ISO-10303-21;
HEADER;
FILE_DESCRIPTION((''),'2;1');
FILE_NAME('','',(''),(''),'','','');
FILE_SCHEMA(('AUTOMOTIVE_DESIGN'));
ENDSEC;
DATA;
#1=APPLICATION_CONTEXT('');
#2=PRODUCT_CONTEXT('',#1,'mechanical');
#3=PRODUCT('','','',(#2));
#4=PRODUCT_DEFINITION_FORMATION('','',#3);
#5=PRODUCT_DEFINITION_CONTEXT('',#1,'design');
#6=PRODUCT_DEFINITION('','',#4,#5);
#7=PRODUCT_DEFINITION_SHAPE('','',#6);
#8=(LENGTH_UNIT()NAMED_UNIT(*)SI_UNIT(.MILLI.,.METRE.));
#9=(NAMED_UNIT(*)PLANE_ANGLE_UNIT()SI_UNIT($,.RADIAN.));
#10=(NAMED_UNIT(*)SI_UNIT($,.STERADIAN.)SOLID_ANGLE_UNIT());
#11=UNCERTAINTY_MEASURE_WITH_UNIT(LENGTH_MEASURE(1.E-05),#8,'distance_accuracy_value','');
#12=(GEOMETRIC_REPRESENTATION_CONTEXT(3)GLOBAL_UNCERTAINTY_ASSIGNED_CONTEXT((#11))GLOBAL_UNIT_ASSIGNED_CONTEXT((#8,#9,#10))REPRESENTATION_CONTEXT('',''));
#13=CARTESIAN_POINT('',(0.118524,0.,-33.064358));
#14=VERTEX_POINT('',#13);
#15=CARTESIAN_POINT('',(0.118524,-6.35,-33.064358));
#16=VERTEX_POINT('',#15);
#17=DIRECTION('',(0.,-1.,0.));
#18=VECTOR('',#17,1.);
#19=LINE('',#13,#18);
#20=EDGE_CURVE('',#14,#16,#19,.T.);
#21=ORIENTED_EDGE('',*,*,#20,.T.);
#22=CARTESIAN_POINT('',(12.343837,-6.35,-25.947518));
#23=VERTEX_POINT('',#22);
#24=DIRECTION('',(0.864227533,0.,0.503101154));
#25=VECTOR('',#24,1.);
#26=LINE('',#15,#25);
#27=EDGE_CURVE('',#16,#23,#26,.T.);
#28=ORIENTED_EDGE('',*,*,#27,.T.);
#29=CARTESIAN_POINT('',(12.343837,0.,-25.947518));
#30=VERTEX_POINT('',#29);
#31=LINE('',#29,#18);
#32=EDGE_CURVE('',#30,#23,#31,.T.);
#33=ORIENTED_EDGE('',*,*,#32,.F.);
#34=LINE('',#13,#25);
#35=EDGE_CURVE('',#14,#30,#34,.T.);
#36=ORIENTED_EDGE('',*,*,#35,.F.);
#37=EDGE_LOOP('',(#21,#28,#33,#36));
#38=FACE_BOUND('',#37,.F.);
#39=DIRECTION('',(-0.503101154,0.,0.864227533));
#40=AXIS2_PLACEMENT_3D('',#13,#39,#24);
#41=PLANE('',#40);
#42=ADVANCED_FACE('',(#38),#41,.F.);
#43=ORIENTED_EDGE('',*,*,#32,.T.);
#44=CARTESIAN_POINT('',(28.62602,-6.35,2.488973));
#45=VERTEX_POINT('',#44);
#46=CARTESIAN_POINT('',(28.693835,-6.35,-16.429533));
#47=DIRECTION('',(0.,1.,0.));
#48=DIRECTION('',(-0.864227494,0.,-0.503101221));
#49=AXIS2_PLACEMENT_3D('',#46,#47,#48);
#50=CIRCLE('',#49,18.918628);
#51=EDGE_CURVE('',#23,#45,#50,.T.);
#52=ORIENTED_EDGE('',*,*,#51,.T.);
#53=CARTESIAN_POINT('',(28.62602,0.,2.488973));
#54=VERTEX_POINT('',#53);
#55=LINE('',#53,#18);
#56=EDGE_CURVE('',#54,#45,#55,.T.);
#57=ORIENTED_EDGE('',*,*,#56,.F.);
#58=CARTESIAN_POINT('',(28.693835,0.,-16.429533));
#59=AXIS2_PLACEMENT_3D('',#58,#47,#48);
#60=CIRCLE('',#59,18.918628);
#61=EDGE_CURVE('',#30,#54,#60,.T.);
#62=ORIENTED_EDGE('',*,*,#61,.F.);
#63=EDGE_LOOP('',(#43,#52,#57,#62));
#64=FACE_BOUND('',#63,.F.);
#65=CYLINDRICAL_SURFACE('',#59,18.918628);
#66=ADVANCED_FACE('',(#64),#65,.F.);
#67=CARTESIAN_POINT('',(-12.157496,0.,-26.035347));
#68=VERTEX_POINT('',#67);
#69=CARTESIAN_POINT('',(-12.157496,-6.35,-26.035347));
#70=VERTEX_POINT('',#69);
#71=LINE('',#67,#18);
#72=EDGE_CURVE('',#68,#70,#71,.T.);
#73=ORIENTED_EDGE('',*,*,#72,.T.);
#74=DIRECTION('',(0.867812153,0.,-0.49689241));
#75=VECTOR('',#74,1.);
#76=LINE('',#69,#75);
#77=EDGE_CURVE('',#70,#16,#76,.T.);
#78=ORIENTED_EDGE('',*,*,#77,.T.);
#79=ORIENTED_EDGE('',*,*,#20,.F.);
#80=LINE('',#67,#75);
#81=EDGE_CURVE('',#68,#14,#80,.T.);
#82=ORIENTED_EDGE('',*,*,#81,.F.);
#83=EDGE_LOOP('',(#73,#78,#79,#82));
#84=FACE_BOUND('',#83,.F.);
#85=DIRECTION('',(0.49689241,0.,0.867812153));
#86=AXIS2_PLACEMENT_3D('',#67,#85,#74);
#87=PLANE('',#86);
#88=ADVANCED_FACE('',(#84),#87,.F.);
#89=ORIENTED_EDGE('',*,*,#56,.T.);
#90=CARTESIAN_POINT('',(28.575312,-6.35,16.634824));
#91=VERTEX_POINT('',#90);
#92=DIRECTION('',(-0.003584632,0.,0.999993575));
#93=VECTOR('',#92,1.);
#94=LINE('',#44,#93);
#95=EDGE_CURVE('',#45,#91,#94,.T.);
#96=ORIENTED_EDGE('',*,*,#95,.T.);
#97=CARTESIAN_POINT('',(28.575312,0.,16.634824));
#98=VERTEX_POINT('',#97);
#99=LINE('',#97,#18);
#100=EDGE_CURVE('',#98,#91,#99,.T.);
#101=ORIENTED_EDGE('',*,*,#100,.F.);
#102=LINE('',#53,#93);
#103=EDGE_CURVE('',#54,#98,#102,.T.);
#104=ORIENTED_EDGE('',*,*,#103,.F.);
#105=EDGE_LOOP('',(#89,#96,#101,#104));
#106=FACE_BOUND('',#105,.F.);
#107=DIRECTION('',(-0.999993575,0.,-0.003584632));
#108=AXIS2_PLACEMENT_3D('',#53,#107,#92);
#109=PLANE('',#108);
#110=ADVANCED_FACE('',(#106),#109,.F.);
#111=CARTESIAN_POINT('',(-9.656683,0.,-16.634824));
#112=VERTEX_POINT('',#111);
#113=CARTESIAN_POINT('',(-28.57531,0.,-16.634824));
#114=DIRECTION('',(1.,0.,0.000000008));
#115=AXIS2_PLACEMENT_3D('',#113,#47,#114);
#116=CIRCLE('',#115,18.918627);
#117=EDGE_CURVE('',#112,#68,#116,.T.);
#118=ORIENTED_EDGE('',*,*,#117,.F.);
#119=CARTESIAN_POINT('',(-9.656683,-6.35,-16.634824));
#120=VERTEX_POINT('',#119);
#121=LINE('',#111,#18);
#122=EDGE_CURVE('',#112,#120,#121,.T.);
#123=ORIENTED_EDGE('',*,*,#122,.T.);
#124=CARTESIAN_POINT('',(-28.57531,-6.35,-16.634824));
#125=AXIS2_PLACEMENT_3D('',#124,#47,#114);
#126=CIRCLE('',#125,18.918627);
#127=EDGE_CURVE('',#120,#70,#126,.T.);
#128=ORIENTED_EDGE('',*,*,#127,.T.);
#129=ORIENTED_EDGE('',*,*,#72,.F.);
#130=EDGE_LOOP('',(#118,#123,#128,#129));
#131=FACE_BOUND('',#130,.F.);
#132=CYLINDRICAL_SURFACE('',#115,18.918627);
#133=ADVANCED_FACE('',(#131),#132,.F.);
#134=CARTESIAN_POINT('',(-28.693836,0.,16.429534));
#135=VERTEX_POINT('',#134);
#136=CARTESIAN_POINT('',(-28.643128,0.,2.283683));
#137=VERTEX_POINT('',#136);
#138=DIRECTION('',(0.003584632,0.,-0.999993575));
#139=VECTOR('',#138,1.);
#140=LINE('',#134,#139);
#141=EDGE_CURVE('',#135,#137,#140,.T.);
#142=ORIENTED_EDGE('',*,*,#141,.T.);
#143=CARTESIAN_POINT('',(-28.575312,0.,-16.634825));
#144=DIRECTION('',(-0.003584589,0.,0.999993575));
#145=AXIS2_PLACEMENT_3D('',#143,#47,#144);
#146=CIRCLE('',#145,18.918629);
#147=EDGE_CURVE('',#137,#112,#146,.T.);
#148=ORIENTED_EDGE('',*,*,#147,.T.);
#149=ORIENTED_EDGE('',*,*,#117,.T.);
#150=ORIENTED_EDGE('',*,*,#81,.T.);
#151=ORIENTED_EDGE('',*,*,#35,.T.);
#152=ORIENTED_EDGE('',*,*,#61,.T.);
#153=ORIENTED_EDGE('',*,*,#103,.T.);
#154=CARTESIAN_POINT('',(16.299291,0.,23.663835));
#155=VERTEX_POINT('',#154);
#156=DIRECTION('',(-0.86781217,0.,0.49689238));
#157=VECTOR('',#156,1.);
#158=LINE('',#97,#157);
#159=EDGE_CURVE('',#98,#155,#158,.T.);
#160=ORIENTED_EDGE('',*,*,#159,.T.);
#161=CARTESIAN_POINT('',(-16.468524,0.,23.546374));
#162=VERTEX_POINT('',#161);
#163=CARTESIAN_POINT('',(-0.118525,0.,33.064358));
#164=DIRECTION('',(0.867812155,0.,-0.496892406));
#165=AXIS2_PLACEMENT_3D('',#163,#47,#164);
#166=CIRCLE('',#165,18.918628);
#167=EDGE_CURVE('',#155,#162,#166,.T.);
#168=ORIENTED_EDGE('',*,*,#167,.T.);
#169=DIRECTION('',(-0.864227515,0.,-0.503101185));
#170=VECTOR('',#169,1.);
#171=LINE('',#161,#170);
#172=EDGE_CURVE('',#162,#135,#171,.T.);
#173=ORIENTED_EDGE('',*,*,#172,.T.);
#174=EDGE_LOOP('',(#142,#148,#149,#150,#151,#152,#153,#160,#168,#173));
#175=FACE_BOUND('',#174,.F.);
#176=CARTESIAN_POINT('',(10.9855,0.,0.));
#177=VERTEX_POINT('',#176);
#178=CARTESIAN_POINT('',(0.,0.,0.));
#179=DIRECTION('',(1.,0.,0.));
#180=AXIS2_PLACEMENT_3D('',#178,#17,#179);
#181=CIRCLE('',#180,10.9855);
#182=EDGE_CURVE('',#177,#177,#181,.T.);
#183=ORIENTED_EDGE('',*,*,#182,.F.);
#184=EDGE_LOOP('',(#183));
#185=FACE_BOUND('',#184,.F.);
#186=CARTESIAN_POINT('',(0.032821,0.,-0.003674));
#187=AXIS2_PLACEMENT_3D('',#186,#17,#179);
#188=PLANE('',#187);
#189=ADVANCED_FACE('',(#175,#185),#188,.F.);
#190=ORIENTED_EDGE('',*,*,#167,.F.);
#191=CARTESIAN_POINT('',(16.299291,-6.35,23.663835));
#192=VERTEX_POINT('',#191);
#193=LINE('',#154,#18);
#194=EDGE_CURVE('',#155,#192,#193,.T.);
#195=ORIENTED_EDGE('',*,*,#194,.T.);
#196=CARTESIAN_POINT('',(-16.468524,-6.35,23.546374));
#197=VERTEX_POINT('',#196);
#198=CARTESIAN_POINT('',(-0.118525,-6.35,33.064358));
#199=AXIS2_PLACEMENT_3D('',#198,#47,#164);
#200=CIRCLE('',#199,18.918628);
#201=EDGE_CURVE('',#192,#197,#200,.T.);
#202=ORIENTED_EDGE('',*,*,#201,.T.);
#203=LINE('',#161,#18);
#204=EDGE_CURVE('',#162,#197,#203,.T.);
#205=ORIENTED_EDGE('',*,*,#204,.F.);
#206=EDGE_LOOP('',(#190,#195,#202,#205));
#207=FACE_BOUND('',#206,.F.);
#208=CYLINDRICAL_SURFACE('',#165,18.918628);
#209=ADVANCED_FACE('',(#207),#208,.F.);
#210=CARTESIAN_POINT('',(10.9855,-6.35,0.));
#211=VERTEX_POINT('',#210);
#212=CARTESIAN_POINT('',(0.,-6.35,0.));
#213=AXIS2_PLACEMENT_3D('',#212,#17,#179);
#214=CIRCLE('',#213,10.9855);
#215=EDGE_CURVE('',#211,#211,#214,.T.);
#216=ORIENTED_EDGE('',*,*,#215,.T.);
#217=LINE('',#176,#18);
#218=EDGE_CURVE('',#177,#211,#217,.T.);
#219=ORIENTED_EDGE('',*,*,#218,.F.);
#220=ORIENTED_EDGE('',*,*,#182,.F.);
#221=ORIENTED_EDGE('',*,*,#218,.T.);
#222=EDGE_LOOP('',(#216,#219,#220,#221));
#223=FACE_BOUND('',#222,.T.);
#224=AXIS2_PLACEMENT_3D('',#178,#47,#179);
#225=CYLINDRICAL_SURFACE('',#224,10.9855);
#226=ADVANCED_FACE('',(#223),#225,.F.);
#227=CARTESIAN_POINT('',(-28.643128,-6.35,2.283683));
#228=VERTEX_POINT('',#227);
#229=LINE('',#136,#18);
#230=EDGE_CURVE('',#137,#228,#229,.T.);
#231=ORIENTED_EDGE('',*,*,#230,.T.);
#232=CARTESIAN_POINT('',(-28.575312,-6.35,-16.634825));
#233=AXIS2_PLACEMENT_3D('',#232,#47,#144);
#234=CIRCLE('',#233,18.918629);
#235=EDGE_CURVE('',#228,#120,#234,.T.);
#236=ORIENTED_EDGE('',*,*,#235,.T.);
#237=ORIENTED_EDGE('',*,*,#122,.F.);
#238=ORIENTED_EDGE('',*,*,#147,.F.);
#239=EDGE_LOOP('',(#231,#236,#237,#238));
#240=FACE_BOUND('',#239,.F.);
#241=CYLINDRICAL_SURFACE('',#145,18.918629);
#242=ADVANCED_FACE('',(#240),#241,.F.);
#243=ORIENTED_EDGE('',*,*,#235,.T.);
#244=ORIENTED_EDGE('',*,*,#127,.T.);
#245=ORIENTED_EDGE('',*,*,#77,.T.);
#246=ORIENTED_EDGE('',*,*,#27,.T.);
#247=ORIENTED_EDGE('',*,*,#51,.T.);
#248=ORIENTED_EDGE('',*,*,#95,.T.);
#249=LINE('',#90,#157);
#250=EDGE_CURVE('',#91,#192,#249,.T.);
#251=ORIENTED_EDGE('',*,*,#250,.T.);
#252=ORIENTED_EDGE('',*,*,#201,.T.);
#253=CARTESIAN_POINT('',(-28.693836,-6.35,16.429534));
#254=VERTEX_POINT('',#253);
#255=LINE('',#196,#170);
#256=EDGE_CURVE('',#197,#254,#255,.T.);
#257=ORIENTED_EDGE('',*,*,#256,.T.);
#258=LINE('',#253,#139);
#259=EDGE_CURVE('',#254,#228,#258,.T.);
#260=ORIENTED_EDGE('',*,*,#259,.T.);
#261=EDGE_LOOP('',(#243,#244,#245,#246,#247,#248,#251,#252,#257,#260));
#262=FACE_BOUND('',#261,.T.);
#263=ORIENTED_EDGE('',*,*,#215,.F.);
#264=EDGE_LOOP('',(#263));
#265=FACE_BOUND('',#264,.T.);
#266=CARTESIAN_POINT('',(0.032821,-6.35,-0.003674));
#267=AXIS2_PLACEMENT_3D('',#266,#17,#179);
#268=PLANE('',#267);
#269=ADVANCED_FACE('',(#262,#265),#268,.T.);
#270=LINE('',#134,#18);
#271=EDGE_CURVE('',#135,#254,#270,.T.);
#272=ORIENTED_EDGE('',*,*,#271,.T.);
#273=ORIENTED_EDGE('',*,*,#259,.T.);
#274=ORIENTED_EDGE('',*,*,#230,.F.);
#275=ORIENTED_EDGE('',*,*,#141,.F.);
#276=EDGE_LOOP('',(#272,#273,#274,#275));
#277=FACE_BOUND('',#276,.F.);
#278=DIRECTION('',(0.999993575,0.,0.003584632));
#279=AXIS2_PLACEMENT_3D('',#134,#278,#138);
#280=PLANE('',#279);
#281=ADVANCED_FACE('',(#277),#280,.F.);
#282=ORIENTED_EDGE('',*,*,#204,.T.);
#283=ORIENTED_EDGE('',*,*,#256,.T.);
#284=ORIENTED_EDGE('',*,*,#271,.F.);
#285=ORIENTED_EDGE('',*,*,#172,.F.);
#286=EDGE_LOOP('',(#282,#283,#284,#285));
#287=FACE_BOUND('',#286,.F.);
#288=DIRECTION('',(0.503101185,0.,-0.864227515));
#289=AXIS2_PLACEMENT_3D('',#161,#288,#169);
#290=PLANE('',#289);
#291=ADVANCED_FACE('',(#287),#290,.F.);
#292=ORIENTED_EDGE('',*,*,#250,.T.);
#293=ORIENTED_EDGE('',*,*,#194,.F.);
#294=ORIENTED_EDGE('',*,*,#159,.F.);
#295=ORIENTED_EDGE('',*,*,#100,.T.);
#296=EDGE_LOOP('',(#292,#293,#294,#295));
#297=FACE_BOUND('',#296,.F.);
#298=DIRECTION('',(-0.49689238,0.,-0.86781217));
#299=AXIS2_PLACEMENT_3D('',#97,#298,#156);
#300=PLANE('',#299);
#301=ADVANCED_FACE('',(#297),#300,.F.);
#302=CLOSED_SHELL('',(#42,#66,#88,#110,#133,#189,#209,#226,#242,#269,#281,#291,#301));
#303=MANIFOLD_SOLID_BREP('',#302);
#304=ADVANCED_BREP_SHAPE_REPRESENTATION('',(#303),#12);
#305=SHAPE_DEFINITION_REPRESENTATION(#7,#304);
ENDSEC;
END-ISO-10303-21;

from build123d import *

# Parameters (mm, degrees)
F0_R     = 10.9855
F1_DEPTH = 6.35


with BuildPart() as f1:
    # F0 (on Front) → F1 (new body)
    with BuildSketch(Plane.XZ):
        with BuildLine():
            Line((28.575312, 16.634824), (16.299291, 23.663835))
            ThreePointArc((16.299291, 23.663835), (-0.050708, 14.145851), (-16.468524, 23.546374))
            Line((-16.468524, 23.546374), (-28.693836, 16.429534))
            Line((-28.693836, 16.429534), (-28.643128, 2.283683))
            ThreePointArc((-28.643128, 2.283683), (-15.22182, -3.233378), (-9.656683, -16.634824))
            ThreePointArc((-9.656683, -16.634824), (-10.292573, -21.498565), (-12.157496, -26.035347))
            Line((-12.157496, -26.035347), (0.118524, -33.064358))
            Line((0.118524, -33.064358), (12.343837, -25.947518))
            ThreePointArc((12.343837, -25.947518), (12.27602, -7.029011), (28.62602, 2.488973))
            Line((28.62602, 2.488973), (28.575312, 16.634824))
        make_face()
        Circle(F0_R, mode=Mode.SUBTRACT)
    extrude(amount=F1_DEPTH)


solid = f1.part
